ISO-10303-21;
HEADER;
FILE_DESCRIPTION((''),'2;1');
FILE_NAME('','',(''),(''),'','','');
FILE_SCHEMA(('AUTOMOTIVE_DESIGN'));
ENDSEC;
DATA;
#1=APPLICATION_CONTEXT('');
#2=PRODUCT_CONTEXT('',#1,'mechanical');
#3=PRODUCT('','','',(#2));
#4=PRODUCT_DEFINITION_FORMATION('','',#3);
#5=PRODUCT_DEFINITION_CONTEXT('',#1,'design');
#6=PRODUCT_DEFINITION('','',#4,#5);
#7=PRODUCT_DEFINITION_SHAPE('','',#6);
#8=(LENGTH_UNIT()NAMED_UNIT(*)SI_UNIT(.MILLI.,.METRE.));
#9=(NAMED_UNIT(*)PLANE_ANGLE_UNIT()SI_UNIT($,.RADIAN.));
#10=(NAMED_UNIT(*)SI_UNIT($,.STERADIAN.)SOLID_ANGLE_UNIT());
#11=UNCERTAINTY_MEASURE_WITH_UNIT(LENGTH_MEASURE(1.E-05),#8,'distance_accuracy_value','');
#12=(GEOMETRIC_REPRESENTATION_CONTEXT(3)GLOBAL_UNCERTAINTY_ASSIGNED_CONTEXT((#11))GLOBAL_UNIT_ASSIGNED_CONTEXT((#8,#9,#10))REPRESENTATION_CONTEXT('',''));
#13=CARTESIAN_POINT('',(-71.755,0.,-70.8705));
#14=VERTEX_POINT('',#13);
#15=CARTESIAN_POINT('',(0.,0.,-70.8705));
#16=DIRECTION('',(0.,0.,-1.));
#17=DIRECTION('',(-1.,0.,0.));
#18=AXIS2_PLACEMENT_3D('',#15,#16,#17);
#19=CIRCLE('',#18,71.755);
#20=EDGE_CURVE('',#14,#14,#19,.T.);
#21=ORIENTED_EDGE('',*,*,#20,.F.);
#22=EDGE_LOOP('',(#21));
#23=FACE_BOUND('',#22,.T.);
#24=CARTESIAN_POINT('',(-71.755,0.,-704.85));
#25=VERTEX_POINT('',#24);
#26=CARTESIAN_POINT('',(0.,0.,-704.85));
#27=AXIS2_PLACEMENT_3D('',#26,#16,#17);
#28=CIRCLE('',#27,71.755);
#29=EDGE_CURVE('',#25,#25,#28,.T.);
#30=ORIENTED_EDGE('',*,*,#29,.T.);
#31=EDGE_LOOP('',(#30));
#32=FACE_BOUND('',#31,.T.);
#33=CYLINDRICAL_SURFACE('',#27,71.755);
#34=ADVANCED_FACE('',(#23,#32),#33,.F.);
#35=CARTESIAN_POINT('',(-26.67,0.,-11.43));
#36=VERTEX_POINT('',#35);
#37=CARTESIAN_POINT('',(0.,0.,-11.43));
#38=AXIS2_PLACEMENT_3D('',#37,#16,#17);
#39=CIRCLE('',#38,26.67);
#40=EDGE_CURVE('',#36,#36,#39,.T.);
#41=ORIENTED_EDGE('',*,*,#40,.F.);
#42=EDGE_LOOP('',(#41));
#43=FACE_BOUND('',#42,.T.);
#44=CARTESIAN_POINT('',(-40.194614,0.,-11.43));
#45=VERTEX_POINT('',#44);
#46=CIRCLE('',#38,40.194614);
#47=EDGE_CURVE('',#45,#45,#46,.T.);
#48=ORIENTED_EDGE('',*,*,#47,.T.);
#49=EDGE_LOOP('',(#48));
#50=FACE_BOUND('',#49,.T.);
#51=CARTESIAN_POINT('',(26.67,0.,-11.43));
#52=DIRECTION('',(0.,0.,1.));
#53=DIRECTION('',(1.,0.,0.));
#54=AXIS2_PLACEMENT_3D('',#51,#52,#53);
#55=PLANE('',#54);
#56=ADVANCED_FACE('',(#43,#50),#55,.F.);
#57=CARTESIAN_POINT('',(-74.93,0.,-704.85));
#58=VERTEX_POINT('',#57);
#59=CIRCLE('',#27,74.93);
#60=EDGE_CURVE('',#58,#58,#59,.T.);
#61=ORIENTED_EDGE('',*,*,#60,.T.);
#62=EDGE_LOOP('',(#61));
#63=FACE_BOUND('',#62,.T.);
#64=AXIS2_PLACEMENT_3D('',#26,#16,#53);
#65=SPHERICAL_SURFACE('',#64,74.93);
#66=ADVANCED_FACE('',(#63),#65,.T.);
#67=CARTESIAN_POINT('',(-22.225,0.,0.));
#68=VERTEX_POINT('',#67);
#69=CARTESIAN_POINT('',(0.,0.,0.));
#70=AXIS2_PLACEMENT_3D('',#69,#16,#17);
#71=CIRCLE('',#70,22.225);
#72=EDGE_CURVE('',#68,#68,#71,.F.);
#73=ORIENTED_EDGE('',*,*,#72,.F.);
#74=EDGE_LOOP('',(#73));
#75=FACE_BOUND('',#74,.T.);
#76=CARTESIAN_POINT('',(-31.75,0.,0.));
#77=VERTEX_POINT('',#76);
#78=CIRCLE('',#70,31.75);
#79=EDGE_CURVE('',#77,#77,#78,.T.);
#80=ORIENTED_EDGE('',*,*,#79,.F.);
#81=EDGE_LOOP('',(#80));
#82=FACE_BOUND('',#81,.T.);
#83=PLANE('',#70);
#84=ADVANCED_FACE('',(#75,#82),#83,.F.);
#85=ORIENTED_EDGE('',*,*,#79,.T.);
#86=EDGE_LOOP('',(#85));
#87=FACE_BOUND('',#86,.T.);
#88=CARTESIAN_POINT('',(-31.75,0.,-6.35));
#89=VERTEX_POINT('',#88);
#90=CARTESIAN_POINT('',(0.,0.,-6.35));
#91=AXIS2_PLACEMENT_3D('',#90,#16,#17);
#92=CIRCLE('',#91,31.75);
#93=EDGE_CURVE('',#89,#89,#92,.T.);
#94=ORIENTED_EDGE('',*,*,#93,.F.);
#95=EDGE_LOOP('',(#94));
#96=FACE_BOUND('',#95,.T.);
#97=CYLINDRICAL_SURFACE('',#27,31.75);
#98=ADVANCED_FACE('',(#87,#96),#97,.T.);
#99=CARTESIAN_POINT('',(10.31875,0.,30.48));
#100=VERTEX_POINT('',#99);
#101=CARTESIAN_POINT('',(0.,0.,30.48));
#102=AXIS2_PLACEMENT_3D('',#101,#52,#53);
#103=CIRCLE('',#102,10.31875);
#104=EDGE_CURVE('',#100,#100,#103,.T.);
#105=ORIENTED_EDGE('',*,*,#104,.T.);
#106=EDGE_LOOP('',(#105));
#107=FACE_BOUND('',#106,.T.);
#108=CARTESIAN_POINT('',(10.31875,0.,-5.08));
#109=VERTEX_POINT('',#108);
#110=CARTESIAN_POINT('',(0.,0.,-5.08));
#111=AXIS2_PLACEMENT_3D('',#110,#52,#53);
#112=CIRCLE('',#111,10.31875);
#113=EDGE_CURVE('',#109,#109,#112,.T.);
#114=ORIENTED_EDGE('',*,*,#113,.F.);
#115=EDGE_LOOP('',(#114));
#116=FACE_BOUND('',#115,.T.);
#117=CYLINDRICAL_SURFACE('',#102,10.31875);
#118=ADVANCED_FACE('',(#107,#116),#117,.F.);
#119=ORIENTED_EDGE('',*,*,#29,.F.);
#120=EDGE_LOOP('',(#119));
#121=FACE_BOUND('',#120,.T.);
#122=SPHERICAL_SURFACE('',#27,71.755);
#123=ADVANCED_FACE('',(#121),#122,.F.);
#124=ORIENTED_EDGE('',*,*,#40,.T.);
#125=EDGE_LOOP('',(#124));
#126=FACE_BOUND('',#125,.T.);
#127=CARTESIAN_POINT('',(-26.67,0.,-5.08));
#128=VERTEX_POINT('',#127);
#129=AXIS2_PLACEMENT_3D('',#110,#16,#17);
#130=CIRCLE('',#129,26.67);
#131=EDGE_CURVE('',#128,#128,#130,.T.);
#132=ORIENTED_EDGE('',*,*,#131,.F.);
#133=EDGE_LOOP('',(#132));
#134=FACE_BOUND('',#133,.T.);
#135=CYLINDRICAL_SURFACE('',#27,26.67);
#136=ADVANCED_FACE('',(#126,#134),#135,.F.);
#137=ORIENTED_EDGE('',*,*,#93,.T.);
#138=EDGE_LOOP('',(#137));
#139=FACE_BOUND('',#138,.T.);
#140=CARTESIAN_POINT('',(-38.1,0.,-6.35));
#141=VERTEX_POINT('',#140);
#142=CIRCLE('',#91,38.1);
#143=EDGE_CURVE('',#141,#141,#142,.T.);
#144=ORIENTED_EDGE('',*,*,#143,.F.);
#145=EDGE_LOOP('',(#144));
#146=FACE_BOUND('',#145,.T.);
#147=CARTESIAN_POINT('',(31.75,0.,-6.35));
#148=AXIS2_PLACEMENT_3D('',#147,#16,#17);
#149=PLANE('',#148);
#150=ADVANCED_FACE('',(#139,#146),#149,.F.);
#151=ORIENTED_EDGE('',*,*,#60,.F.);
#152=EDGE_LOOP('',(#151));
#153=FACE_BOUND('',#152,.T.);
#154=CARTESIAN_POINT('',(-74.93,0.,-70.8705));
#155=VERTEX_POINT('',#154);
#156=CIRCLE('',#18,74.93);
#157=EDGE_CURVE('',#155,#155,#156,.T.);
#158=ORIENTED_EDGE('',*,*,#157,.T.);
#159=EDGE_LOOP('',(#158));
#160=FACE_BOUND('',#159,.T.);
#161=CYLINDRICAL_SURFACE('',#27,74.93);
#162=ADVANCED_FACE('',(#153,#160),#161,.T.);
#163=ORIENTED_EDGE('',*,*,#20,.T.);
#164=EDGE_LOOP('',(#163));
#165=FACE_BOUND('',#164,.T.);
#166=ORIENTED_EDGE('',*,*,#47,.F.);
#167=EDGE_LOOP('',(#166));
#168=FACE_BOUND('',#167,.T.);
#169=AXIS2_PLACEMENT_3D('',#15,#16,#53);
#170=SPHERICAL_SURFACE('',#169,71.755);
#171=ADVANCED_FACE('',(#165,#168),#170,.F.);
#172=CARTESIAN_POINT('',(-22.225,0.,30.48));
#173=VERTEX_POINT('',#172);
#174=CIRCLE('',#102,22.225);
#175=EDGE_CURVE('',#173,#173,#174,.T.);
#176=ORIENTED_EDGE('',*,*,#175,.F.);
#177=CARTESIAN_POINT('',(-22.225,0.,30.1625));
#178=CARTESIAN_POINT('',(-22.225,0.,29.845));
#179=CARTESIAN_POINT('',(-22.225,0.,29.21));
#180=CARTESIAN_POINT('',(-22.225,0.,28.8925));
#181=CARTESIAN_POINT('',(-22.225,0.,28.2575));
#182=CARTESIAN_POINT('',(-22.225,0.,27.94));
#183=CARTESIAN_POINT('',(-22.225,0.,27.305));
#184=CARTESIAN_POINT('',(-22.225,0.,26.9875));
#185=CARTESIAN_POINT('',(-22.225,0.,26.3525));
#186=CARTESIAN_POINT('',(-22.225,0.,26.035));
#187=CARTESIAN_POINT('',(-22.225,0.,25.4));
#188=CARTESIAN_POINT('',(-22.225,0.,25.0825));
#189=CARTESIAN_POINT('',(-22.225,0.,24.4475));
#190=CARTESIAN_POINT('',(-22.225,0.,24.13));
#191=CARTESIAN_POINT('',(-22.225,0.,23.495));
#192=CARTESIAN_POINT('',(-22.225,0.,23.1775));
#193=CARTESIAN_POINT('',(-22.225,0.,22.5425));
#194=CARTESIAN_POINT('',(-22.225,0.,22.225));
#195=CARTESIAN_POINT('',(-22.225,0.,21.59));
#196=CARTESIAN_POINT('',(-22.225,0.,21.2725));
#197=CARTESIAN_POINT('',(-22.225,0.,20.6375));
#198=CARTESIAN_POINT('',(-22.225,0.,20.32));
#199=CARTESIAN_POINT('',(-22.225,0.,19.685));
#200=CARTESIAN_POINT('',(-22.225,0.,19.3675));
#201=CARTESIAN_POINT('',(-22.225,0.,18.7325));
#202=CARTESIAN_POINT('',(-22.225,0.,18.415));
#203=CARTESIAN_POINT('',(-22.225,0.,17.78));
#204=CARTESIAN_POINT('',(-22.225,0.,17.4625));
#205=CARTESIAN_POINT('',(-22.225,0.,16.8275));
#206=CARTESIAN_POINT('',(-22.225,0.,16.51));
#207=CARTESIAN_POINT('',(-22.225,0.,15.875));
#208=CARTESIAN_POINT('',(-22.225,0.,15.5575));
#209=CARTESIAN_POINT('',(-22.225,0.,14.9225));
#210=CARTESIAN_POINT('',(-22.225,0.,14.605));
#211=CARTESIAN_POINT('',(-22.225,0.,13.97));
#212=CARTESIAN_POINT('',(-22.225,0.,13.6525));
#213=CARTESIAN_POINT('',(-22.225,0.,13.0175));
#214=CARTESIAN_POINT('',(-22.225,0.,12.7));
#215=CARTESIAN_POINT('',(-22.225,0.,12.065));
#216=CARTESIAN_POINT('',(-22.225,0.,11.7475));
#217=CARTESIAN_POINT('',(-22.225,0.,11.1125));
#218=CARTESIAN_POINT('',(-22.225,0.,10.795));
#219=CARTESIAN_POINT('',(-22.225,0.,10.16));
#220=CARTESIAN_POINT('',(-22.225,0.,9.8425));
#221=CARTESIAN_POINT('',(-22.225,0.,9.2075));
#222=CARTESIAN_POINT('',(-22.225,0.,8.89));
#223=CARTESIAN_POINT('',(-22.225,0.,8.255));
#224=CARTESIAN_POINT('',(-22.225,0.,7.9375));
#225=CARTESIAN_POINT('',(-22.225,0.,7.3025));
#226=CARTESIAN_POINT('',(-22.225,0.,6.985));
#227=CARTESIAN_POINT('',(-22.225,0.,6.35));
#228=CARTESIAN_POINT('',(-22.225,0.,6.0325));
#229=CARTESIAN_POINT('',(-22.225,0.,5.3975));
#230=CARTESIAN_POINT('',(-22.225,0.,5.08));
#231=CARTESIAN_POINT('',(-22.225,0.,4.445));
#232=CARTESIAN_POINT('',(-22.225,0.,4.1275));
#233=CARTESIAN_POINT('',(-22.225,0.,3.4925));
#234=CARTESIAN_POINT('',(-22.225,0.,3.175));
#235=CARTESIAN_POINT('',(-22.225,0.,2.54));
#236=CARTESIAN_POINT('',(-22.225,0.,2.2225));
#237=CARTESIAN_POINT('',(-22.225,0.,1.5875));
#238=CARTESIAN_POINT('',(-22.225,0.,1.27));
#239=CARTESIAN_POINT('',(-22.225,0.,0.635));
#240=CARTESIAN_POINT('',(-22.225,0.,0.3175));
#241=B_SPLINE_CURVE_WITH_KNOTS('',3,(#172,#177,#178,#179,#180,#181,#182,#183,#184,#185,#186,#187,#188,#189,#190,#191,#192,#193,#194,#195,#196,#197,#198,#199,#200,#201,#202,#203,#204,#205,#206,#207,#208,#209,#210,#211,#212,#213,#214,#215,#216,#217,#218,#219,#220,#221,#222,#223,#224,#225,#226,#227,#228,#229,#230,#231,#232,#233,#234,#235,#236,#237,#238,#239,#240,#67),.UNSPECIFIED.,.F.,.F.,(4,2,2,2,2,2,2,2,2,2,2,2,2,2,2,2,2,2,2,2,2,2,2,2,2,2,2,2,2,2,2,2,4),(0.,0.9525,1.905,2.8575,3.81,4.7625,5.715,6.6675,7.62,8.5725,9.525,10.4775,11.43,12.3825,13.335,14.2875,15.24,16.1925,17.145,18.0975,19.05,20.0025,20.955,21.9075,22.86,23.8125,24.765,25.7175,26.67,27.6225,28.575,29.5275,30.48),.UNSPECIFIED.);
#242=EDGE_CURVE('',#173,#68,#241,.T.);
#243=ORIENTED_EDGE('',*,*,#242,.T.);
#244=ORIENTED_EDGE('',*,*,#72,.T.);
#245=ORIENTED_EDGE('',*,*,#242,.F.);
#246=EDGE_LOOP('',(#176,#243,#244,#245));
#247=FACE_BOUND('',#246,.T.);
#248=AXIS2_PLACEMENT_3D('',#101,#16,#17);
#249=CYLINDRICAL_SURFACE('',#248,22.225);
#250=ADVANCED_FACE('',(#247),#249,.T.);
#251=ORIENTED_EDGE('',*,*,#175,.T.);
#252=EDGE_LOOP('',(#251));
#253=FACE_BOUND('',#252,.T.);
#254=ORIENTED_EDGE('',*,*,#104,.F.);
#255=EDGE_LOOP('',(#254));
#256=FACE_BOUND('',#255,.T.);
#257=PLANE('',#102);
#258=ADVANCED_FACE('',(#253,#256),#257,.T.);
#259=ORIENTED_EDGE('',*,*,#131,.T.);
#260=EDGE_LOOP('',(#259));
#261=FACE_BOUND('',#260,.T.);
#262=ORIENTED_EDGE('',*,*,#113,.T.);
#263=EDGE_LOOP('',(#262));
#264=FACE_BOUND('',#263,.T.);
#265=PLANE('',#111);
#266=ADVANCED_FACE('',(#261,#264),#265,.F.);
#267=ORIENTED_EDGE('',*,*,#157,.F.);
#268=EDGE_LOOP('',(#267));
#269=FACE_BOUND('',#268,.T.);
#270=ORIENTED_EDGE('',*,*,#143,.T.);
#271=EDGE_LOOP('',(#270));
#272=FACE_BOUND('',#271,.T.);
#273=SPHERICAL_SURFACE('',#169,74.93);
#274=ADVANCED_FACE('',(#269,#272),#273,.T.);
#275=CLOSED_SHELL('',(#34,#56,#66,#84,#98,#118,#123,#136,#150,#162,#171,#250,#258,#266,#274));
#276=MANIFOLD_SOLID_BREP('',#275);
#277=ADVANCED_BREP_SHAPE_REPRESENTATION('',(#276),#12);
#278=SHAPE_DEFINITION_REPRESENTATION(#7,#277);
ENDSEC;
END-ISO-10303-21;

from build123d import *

# Parameters (mm, degrees)
SKETCH4_R                  = 22.225
BOSS_EXTRUDE1_DEPTH        = 30.48
F_7_8_14_UNF_FITTING_D     = 20.6375
F_7_8_14_UNF_FITTING_DEPTH = 49.784
F_7_8_14_UNF_FITTING_TIP   = 6.200130513


with BuildPart() as part:
    # Sketch1 → Revolve1 (revolve)
    with BuildSketch(Plane(origin=(0, 0, 0), x_dir=(1, 0, 0), z_dir=(0, 1, 0)), mode=Mode.PRIVATE) as revolve1_sk:
        with BuildLine():
            Line((0, 0), (31.75, 0))
            Line((31.75, 0), (31.75, 6.35))
            Line((31.75, 6.35), (38.1, 6.35))
            ThreePointArc((38.1, 6.35), (65.074334034, 33.724356705), (74.93, 70.870499843))
            Line((74.93, 70.870499843), (74.93, 704.85))
            ThreePointArc((74.93, 704.85), (52.983511114, 757.833511114), (0, 779.78))
            Line((0, 779.78), (0, 776.605))
            ThreePointArc((0, 776.605), (50.738447084, 755.588447084), (71.755, 704.85))
            Line((71.755, 704.85), (71.755, 70.870499843))
            ThreePointArc((71.755, 70.870499843), (63.375644219, 37.220719089), (40.194614109, 11.43))
            Line((40.194614109, 11.43), (26.67, 11.43))
            Line((26.67, 11.43), (26.67, 5.08))
            Line((26.67, 5.08), (0, 5.08))
            Line((0, 5.08), (0, 0))
        make_face()
    revolve(revolve1_sk.sketch.rotate(Axis((0, 0, -704.85), (0, 0, 1)), 180), axis=Axis((0, 0, -704.85), (0, 0, 1)))

    # Sketch4 → Boss-Extrude1 (add)
    with BuildSketch(Plane.XY):
        with Locations(Location((0, 0, 0), (0, 0, 180))):
            Circle(SKETCH4_R)
    extrude(amount=BOSS_EXTRUDE1_DEPTH)

    # 7/8-14 UNF Fitting
    with Locations(Plane(origin=(-8.590582688, 4.968077157, 30.48), x_dir=(1, 0, 0), z_dir=(0, 0, 1))):
        with Locations((8.590582688, -4.968077157)):
            Hole(F_7_8_14_UNF_FITTING_D / 2, depth=F_7_8_14_UNF_FITTING_DEPTH)
            with Locations((0, 0, -(F_7_8_14_UNF_FITTING_DEPTH + F_7_8_14_UNF_FITTING_TIP / 2))):  # 118° drill point
                Cone(0, F_7_8_14_UNF_FITTING_D / 2, F_7_8_14_UNF_FITTING_TIP, mode=Mode.SUBTRACT)


solid = part.part
